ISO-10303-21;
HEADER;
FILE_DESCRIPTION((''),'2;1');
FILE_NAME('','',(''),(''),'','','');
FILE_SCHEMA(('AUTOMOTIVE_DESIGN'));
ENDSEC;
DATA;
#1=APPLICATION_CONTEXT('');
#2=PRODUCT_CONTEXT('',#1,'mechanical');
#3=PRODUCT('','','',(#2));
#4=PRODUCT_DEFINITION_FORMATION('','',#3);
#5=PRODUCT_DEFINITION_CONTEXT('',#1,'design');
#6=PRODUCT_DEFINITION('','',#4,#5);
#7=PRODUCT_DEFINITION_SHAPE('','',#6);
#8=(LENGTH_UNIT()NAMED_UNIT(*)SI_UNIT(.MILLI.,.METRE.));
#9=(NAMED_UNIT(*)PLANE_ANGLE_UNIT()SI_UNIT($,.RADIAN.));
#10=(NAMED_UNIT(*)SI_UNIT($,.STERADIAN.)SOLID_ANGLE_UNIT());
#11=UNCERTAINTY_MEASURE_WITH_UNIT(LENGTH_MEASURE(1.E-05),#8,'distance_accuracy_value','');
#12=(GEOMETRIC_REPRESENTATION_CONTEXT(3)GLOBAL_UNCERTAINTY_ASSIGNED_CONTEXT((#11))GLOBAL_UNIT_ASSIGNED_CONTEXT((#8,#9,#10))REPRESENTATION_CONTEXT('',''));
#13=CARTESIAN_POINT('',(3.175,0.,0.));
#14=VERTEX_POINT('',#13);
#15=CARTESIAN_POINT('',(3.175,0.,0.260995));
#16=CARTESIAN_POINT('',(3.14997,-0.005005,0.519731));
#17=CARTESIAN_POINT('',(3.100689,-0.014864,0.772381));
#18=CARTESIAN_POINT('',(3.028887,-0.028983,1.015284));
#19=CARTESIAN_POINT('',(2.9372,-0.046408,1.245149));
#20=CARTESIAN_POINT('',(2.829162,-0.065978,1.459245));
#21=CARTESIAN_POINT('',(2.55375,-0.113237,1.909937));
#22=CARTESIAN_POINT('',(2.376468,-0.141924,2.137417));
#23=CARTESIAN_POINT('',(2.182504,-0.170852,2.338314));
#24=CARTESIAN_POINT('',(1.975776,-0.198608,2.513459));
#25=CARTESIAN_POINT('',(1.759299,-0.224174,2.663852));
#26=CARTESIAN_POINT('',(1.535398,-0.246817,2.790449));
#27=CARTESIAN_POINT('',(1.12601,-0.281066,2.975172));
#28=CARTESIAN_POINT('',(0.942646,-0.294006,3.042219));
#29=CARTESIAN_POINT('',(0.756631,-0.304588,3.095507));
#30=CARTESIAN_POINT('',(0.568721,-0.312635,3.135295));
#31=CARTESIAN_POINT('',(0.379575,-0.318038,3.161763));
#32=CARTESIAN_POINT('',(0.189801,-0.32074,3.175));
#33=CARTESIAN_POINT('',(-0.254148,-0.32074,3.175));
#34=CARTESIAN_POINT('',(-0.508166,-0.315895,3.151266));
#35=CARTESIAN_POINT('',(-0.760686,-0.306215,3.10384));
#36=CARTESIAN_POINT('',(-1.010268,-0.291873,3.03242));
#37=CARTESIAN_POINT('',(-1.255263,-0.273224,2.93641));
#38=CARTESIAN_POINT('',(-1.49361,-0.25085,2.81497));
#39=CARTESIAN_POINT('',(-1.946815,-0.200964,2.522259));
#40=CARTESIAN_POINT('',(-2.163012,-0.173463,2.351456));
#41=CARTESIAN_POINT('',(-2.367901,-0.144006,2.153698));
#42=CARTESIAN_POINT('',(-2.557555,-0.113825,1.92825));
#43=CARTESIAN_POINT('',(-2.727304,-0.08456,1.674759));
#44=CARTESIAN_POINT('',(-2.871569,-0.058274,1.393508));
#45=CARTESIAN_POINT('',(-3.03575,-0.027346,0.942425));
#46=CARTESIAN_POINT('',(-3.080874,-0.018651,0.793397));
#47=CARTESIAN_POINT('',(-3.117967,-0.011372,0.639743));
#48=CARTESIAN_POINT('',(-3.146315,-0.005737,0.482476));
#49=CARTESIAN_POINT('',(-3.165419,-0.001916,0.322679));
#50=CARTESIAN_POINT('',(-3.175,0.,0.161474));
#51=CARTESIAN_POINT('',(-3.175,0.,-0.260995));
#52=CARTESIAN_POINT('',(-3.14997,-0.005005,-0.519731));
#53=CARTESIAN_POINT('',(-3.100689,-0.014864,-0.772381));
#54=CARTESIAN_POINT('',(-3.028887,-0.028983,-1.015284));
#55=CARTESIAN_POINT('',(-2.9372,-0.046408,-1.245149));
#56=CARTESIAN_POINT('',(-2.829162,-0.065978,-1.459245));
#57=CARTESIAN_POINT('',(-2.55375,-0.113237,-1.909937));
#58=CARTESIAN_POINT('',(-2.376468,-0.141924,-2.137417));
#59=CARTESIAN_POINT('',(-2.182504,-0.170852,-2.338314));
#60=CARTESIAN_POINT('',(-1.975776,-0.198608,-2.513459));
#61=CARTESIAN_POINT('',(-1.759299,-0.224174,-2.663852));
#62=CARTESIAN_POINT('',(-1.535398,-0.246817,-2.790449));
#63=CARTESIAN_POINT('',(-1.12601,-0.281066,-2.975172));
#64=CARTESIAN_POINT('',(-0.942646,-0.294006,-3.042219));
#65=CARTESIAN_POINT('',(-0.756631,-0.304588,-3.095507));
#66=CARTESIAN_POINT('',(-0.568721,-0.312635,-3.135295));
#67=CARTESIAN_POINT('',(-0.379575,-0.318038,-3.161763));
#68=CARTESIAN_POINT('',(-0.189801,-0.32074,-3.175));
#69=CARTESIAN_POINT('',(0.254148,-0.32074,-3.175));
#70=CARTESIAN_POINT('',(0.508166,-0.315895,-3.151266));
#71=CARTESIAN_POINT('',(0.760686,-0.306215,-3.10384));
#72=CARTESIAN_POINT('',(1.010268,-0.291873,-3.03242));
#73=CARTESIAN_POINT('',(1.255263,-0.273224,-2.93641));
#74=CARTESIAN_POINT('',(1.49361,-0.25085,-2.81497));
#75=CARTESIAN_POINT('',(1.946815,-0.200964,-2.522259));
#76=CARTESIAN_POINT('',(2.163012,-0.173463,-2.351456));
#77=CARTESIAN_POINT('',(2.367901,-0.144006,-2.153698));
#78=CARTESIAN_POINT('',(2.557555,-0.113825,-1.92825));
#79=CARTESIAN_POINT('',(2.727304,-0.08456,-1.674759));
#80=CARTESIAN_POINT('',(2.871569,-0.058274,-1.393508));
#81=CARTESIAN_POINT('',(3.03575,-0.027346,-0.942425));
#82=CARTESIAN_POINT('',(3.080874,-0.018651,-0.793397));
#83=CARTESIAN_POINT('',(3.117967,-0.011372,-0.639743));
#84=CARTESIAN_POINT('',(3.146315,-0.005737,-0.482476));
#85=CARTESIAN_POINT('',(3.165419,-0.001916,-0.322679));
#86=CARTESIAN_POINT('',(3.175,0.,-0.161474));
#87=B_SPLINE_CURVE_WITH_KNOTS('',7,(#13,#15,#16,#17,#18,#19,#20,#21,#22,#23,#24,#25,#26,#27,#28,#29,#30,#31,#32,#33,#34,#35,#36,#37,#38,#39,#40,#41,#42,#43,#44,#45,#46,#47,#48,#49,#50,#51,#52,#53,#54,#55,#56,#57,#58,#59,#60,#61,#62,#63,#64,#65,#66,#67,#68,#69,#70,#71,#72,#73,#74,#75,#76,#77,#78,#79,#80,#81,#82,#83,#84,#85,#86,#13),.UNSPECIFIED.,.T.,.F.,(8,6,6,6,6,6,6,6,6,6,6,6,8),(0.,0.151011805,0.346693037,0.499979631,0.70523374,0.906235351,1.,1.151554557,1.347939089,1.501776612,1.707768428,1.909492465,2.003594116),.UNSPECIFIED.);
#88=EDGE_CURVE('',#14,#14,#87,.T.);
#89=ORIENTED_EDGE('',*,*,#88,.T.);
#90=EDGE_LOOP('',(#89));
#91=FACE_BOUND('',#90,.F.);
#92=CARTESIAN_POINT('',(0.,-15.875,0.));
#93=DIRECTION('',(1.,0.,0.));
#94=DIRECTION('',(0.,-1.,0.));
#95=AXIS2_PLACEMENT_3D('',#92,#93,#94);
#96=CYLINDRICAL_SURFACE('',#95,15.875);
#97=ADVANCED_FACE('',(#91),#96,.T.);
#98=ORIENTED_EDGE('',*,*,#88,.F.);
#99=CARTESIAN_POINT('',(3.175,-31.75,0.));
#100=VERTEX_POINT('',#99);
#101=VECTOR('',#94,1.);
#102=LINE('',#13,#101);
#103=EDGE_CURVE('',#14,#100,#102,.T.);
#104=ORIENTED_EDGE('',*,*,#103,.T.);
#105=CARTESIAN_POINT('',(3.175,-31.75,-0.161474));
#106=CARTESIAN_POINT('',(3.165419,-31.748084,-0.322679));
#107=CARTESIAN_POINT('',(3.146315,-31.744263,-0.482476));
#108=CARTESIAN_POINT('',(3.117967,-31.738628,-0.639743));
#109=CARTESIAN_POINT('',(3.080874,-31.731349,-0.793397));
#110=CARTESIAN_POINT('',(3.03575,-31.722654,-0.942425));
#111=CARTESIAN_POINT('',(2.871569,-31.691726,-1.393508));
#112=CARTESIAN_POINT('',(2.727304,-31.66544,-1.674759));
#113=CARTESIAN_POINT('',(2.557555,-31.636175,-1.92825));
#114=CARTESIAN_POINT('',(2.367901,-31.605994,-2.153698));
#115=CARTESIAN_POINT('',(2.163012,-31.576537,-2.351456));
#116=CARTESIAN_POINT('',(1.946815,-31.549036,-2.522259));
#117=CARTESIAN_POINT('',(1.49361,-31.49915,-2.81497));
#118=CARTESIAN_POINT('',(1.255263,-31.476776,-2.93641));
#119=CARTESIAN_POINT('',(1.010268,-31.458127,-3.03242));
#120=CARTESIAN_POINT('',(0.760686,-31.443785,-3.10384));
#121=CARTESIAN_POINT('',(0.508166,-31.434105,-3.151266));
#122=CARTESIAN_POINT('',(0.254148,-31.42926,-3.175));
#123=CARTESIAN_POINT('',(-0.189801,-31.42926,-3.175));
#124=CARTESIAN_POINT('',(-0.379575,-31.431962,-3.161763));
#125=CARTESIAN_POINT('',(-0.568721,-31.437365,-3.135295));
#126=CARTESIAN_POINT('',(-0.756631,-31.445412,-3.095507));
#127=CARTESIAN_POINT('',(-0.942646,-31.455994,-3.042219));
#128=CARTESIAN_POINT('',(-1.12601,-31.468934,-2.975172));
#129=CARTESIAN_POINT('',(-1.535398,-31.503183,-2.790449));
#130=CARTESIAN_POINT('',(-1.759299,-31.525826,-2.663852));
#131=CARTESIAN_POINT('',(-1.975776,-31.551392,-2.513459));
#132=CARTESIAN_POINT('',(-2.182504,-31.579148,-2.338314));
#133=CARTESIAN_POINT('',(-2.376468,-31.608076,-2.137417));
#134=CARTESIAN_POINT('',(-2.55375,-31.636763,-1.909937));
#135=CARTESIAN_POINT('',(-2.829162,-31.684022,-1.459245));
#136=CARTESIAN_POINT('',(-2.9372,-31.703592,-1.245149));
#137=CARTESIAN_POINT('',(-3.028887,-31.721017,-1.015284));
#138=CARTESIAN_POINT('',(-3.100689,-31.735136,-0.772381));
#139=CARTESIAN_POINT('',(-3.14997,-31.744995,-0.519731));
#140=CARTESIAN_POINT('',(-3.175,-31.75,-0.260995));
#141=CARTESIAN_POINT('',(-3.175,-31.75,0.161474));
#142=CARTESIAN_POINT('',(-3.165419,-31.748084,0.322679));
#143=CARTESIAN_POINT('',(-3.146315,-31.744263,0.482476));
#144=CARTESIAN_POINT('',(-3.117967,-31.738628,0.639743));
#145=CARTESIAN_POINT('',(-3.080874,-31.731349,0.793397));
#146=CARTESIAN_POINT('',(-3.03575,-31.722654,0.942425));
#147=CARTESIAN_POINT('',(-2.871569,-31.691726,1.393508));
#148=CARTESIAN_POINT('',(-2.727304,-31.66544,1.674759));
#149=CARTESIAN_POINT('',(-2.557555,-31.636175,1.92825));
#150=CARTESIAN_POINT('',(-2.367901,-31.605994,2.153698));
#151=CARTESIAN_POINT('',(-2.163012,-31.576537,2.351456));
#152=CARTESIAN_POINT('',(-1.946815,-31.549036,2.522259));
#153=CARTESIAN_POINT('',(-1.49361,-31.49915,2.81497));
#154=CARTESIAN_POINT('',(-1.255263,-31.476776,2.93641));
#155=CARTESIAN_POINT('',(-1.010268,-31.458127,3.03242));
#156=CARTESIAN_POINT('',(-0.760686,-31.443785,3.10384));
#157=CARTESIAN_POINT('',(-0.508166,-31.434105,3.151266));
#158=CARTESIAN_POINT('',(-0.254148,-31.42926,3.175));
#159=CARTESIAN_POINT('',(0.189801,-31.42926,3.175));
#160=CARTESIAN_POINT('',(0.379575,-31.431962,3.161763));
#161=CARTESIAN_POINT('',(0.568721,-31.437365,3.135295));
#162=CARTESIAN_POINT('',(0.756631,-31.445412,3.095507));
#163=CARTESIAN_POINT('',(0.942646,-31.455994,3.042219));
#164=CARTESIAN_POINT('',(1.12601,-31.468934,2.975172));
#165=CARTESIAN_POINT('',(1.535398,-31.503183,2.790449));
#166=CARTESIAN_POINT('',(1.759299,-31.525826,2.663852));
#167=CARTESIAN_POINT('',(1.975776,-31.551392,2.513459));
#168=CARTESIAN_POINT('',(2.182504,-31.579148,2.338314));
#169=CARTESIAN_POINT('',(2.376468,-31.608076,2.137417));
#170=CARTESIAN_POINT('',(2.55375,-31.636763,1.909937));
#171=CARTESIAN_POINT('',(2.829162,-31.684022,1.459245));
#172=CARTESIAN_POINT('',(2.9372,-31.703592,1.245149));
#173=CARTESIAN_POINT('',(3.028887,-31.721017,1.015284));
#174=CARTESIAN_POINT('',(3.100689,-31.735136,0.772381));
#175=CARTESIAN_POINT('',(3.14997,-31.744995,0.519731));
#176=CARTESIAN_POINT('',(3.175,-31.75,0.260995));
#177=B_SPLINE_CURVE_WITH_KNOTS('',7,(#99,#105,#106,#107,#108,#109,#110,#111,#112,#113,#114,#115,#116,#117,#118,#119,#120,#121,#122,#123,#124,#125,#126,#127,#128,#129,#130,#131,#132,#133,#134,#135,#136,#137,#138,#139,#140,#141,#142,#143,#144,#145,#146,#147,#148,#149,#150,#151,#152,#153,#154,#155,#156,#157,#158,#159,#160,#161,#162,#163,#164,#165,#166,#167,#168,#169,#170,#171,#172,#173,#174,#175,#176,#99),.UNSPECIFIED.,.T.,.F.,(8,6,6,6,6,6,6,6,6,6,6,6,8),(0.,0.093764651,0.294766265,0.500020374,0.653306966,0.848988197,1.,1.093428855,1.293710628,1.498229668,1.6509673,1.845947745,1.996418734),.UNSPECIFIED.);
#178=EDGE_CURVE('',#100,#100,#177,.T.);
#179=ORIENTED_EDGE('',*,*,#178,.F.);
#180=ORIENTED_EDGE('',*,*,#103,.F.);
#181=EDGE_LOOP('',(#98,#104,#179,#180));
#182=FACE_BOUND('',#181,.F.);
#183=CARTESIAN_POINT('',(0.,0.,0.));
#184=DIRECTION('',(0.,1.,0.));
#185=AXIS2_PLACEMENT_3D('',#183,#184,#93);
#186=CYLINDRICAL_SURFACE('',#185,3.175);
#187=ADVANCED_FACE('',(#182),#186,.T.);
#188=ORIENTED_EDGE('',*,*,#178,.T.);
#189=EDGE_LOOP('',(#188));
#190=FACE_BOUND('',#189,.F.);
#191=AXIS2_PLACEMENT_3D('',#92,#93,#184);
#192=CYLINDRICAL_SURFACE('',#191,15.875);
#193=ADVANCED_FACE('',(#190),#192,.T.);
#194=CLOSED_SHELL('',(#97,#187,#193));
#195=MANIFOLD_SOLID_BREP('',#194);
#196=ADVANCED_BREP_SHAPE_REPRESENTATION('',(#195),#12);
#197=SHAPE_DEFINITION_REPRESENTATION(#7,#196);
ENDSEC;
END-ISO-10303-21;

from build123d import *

# Parameters (mm, degrees)
F0_R     = 3.175
F1_DEPTH = 31.75
F3_DEPTH = 12.7


with BuildPart() as f1:
    # F0 (on Front) → F1 (new body)
    with BuildSketch(Plane.XZ):
        Circle(F0_R)
    extrude(amount=F1_DEPTH)

    # F2 (on Right) → F3 (cut, symmetric)
    with BuildSketch(Plane.YZ):
        with BuildLine():
            ThreePointArc((-31.75, 0), (-15.875, 15.875), (0, 0))
            Line((0, 0), (0, 17.315913))
            Line((0, 17.315913), (-31.75, 17.315913))
            Line((-31.75, 17.315913), (-31.75, 0))
        make_face()
        with BuildLine():
            Line((0, -17.315913), (0, 0))
            ThreePointArc((0, 0), (-15.875, -15.875), (-31.75, 0))
            Line((-31.75, 0), (-31.75, -17.315913))
            Line((-31.75, -17.315913), (0, -17.315913))
        make_face()
    extrude(amount=F3_DEPTH, both=True, mode=Mode.SUBTRACT)


solid = f1.part
